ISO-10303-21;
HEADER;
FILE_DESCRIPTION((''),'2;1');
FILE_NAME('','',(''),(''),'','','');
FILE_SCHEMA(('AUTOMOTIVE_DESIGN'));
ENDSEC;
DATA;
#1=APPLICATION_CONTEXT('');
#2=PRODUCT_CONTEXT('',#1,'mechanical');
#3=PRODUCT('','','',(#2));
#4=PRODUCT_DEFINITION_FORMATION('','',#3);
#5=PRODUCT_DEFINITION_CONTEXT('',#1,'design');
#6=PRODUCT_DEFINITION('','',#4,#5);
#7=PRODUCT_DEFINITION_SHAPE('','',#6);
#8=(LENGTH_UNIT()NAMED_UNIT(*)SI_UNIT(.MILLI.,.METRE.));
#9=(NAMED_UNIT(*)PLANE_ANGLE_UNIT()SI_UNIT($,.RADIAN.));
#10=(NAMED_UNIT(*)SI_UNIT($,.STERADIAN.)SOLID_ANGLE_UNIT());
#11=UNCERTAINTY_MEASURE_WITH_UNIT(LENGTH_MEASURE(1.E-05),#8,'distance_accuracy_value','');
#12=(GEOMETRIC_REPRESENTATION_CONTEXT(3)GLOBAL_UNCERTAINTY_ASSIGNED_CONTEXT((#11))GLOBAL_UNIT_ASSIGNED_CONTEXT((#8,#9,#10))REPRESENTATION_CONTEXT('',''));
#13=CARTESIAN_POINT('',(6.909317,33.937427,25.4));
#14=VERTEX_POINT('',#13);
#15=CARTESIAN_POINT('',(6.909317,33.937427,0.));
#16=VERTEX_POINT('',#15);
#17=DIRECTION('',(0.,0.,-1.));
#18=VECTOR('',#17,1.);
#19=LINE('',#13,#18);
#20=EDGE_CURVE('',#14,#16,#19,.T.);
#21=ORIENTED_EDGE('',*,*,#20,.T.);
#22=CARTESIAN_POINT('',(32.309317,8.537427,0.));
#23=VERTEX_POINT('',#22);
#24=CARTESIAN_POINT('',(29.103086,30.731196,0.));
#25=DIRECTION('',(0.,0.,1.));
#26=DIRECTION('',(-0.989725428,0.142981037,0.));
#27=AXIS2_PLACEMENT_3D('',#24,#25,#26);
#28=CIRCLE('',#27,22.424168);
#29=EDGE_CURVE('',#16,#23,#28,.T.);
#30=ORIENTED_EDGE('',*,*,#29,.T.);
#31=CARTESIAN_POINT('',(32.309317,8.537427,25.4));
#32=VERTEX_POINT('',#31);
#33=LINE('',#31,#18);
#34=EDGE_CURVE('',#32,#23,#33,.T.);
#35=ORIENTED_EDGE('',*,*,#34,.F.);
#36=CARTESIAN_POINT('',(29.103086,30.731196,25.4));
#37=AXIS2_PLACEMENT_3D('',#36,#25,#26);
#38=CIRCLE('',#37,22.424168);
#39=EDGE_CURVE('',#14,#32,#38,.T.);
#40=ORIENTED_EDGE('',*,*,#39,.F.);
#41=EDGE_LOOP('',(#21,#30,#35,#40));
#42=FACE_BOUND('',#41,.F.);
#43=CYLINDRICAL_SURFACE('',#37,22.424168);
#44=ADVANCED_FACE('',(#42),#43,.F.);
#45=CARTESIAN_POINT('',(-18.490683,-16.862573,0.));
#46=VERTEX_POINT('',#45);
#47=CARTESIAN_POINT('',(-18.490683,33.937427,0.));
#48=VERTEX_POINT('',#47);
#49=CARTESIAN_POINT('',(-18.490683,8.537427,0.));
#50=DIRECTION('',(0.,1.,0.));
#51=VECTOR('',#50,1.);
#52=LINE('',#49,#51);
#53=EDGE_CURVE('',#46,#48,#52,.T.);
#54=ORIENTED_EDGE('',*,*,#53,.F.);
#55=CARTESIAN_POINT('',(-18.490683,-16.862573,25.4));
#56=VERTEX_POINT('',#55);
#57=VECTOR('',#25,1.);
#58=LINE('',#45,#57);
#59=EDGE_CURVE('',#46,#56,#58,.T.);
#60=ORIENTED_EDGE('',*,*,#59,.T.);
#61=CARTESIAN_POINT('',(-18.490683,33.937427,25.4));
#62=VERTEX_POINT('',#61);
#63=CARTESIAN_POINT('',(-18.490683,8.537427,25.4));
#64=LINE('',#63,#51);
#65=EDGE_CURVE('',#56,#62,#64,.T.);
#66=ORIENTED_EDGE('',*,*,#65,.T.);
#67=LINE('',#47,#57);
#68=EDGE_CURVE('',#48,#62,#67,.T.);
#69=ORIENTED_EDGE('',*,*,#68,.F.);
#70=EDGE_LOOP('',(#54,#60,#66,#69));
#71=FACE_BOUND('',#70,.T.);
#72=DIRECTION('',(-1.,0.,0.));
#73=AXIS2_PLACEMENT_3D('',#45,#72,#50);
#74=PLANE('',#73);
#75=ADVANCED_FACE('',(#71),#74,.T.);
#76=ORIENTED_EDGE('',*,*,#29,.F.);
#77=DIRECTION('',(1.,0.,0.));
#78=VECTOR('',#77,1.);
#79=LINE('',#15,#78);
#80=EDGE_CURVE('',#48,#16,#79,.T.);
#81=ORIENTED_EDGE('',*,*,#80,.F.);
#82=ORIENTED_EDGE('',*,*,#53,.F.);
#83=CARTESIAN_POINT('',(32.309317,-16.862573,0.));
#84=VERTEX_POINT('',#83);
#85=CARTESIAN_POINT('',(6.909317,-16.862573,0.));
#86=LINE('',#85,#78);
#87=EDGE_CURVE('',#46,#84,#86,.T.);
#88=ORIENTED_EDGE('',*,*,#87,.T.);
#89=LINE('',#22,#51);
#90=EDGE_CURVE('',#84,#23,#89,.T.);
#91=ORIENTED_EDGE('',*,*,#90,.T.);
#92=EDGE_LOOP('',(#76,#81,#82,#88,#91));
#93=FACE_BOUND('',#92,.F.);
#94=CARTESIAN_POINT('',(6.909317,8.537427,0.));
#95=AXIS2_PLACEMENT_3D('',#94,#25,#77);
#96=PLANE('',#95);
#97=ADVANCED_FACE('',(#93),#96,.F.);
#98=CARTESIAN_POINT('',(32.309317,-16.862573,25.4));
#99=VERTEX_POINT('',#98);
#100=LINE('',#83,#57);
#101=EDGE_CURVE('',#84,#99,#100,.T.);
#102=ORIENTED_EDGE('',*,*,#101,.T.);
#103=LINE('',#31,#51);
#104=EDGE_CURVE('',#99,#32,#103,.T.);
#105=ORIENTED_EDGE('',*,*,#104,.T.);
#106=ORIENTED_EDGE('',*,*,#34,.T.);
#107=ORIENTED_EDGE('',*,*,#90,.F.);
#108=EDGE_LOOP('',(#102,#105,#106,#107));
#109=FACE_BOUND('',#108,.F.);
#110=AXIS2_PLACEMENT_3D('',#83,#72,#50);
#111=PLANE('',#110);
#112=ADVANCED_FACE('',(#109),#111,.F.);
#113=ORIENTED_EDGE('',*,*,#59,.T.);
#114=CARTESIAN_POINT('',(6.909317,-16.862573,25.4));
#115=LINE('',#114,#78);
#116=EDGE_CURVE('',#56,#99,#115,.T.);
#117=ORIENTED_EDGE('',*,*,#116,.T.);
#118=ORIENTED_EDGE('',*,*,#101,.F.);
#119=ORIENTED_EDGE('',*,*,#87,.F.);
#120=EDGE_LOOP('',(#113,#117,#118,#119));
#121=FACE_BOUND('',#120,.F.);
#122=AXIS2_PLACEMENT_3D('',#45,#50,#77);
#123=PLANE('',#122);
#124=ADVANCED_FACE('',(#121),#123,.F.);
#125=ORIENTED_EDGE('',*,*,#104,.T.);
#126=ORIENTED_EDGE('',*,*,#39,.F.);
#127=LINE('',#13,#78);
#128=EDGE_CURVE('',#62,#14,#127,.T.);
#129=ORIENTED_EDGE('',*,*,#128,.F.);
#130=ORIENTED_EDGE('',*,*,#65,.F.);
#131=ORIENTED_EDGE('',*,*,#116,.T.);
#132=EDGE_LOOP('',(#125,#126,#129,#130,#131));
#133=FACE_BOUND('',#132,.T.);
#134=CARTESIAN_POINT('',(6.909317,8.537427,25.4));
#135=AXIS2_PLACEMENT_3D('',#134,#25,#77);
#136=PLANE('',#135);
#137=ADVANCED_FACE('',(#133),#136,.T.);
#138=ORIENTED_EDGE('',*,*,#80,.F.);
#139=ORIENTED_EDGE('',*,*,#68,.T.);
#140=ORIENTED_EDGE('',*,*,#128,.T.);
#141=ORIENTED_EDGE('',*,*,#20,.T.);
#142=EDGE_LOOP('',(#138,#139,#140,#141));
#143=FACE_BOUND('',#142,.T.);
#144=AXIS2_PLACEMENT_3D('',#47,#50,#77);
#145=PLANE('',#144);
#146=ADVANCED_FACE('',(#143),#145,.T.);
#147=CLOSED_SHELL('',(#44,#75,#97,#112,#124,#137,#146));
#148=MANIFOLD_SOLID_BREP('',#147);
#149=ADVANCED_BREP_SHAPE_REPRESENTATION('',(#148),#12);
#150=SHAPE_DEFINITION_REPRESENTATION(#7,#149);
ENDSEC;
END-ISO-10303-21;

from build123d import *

# Parameters (mm, degrees)
F0_W     = 50.8
F0_H     = 50.8
F1_DEPTH = 25.4
F3_DEPTH = 25.4


with BuildPart() as f1:
    # F0 (on Top) → F1 (new body)
    with BuildSketch(Plane.XY):
        with Locations((6.909317, 8.537427)):
            Rectangle(F0_W, F0_H)
    extrude(amount=F1_DEPTH)

    # F2 (on face) → F3 (cut)
    with BuildSketch(Plane.XY.offset(25.4)):
        with BuildLine():
            ThreePointArc((6.909317, 33.937427), (13.246805, 14.874915), (32.309317, 8.537427))
            Line((32.309317, 8.537427), (32.309317, 33.937427))
            Line((32.309317, 33.937427), (6.909317, 33.937427))
        make_face()
    extrude(amount=-F3_DEPTH, mode=Mode.SUBTRACT)


solid = f1.part
